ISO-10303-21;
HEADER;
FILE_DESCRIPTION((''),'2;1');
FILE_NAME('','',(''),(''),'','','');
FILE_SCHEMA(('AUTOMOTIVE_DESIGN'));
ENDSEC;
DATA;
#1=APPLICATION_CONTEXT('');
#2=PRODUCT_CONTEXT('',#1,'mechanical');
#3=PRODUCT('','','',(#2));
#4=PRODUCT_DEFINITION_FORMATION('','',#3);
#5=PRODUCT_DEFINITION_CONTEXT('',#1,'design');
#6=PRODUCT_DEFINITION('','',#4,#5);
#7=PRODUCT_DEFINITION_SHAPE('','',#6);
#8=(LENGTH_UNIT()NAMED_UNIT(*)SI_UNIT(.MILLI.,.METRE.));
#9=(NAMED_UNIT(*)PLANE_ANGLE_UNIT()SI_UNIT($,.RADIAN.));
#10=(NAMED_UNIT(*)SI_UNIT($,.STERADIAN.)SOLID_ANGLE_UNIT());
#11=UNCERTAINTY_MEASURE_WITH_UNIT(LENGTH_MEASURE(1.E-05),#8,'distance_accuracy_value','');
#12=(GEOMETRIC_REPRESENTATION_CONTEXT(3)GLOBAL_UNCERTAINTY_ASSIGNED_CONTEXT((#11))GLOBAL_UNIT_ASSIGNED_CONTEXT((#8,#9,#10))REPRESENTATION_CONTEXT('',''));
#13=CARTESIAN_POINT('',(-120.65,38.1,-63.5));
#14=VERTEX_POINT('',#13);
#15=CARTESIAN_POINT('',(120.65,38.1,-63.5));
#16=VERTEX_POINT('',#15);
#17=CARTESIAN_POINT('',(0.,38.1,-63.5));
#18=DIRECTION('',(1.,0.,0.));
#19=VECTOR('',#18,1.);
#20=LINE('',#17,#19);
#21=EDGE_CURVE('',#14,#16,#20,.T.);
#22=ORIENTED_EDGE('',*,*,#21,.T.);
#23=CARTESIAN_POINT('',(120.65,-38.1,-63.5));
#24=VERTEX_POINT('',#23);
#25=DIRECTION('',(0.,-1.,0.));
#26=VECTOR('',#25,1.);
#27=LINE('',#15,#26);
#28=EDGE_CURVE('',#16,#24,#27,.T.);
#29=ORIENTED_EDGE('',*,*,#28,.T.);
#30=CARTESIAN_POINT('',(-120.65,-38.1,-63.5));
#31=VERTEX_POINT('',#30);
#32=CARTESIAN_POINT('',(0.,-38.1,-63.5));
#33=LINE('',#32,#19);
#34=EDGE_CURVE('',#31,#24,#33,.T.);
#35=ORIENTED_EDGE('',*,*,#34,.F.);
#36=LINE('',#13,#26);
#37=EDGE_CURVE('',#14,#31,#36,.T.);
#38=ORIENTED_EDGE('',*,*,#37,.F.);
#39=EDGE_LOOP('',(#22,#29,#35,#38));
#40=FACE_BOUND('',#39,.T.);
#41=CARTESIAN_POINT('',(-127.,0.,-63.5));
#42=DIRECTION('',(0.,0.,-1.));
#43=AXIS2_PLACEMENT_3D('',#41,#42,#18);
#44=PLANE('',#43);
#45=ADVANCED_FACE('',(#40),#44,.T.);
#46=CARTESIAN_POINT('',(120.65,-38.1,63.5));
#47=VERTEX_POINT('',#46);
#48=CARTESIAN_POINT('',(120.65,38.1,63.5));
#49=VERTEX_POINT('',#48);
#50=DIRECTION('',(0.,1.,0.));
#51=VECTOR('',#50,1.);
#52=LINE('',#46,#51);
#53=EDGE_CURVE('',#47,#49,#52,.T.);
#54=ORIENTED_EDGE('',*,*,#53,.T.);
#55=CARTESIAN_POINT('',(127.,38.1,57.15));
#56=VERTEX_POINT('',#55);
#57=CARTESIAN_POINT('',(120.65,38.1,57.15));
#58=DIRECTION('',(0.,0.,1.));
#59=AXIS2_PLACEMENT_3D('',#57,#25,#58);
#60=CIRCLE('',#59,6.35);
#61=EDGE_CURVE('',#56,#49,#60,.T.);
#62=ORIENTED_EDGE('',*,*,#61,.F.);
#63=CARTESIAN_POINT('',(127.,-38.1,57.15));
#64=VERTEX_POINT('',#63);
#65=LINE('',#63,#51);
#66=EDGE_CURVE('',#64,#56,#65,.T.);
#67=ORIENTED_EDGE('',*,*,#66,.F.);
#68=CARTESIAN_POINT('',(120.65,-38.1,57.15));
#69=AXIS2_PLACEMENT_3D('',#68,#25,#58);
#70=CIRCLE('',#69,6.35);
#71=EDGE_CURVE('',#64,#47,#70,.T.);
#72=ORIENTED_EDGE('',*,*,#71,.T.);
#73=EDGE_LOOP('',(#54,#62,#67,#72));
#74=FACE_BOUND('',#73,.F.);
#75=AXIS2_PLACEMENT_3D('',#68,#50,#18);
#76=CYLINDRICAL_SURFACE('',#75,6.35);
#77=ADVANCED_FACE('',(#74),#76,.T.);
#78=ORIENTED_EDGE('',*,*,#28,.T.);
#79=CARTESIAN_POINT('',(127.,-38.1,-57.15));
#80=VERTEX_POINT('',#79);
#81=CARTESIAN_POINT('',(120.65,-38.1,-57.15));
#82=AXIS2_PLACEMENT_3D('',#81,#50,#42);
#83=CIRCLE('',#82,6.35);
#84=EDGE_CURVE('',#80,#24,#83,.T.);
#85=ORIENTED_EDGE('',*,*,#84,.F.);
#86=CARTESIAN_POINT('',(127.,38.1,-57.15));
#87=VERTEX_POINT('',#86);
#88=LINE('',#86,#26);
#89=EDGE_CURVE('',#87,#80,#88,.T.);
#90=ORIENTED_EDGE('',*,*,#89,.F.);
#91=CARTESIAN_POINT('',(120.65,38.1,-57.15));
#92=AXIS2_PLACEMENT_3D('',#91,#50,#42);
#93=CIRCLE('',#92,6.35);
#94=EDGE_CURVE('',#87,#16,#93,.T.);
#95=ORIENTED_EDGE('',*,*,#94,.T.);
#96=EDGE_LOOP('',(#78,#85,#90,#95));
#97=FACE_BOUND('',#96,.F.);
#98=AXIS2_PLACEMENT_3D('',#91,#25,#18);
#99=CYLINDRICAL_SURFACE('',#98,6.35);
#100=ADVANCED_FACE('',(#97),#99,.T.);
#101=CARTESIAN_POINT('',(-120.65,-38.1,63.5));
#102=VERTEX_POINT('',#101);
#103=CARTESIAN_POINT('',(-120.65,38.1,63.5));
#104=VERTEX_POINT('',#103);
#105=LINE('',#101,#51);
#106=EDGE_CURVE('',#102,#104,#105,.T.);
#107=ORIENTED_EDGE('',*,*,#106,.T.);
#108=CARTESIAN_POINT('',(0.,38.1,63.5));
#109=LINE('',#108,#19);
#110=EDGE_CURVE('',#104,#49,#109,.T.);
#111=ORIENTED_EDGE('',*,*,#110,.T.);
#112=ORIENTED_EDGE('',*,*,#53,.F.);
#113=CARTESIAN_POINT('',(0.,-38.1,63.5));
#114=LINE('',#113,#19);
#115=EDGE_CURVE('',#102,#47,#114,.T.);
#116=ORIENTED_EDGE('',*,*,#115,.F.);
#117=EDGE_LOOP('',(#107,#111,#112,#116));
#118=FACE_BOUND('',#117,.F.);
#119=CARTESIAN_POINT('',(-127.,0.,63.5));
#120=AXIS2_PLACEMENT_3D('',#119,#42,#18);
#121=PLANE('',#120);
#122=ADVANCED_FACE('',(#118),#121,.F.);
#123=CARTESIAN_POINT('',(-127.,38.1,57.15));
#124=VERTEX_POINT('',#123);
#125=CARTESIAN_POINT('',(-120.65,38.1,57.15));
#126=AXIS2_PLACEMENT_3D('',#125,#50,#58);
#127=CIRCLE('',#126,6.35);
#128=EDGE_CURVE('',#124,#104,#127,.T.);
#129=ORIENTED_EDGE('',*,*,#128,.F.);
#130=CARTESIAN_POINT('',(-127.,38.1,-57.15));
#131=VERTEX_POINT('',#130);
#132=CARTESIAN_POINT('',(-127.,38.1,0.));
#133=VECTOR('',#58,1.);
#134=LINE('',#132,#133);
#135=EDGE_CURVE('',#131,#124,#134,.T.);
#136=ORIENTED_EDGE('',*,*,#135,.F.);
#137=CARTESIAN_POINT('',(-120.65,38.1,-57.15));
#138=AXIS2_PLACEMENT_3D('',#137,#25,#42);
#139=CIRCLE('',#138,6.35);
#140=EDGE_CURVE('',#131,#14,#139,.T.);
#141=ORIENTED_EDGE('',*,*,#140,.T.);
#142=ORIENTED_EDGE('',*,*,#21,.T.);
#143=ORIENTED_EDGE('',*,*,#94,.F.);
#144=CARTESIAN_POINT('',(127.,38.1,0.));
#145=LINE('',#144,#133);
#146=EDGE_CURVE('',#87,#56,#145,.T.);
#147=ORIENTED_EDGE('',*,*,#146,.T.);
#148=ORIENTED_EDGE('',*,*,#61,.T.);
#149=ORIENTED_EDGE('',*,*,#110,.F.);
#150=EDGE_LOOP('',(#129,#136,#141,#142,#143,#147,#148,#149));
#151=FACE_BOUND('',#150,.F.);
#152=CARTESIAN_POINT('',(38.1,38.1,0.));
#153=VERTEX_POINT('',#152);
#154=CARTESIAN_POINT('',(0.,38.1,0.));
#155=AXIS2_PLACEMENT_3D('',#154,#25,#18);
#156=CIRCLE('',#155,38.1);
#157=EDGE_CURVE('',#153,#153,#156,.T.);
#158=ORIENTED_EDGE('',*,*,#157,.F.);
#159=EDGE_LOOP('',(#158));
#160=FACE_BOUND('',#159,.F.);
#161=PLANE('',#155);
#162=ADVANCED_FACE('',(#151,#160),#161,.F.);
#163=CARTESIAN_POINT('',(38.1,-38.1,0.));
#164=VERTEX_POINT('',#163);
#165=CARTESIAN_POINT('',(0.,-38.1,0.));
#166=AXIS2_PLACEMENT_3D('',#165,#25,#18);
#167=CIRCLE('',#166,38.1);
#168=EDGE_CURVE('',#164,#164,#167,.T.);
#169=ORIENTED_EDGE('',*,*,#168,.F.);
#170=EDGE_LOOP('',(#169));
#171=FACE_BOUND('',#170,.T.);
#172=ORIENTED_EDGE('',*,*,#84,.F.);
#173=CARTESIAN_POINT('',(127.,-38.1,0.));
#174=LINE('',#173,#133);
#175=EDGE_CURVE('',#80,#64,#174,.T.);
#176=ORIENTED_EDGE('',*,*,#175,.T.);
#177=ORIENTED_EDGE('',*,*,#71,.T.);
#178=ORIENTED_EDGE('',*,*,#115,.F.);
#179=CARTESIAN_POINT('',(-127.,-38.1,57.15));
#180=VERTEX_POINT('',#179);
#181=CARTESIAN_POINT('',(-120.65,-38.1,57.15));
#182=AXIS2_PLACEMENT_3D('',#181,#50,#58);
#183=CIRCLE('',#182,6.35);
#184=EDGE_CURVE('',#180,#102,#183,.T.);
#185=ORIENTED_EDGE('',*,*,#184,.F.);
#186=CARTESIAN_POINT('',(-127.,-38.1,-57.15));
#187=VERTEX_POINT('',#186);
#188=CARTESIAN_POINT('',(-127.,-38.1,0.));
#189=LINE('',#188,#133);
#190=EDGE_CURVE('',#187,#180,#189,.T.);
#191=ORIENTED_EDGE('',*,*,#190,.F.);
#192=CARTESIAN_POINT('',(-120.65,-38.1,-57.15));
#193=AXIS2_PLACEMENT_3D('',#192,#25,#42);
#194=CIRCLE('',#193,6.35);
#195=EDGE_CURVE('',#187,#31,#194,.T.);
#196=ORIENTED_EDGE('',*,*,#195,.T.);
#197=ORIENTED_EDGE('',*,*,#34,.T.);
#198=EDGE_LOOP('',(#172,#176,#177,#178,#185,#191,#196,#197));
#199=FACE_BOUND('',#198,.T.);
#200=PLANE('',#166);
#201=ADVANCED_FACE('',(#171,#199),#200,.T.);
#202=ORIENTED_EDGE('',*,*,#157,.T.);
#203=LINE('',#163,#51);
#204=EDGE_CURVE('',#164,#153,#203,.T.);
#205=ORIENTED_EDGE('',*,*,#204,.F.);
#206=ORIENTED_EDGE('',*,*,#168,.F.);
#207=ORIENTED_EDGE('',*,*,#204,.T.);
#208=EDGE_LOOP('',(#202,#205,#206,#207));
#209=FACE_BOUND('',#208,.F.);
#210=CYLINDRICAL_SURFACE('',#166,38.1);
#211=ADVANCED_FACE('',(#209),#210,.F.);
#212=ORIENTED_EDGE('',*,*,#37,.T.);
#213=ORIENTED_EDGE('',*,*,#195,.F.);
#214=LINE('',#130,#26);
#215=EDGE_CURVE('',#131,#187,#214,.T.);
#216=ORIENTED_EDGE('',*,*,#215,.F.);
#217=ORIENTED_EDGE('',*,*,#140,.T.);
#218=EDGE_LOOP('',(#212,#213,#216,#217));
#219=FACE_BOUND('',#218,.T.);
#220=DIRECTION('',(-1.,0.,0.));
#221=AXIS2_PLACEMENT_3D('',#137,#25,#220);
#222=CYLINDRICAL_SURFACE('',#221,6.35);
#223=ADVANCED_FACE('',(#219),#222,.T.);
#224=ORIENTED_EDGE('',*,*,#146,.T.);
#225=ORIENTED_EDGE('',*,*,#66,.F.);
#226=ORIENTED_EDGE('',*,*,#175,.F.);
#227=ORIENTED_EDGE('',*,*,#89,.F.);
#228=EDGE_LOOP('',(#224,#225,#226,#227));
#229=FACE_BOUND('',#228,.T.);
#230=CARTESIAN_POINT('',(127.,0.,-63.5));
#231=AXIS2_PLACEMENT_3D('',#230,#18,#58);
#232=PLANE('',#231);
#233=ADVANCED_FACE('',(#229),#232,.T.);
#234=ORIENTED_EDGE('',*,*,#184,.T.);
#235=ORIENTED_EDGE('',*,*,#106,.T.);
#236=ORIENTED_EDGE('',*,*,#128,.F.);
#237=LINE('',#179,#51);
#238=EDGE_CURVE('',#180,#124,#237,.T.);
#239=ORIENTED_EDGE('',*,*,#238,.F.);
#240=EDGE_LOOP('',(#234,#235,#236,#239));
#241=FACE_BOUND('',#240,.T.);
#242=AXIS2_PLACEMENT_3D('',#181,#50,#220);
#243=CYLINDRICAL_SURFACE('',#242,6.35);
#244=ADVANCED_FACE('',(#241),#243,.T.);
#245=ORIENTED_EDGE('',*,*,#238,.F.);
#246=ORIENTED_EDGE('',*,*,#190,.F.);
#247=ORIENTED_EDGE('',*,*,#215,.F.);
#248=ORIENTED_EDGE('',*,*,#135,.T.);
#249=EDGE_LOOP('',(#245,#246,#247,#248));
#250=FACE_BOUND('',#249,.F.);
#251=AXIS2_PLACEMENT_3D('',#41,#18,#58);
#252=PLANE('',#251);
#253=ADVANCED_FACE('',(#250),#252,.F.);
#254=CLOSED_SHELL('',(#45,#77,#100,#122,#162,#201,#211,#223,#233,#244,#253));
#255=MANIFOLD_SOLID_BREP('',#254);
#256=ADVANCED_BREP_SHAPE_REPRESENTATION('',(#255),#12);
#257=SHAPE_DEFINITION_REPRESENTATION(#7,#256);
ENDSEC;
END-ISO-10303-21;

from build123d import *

# Parameters (mm, degrees)
F0_W     = 254
F0_H     = 127
F1_DEPTH = 38.1
F2_R     = 6.35
F3_R     = 38.1
F4_DEPTH = 76.201


with BuildPart() as f1:
    # F0 (on Front) → F1 (new body, symmetric)
    with BuildSketch(Plane.XZ):
        Rectangle(F0_W, F0_H)
    extrude(amount=F1_DEPTH, both=True)

    # F2
    f2_edges = [f1.edges().sort_by_distance(p)[0] for p in [
        (-127, 0, 63.5),
        (127, 0, 63.5),
        (-127, 0, -63.5),
        (127, 0, -63.5),
    ]]
    fillet(f2_edges, radius=F2_R)

    # F3 (on face) → F4 (cut, through all)
    with BuildSketch(Plane.XZ.offset(38.1)):
        Circle(F3_R)
    extrude(amount=-F4_DEPTH, mode=Mode.SUBTRACT)


solid = f1.part
